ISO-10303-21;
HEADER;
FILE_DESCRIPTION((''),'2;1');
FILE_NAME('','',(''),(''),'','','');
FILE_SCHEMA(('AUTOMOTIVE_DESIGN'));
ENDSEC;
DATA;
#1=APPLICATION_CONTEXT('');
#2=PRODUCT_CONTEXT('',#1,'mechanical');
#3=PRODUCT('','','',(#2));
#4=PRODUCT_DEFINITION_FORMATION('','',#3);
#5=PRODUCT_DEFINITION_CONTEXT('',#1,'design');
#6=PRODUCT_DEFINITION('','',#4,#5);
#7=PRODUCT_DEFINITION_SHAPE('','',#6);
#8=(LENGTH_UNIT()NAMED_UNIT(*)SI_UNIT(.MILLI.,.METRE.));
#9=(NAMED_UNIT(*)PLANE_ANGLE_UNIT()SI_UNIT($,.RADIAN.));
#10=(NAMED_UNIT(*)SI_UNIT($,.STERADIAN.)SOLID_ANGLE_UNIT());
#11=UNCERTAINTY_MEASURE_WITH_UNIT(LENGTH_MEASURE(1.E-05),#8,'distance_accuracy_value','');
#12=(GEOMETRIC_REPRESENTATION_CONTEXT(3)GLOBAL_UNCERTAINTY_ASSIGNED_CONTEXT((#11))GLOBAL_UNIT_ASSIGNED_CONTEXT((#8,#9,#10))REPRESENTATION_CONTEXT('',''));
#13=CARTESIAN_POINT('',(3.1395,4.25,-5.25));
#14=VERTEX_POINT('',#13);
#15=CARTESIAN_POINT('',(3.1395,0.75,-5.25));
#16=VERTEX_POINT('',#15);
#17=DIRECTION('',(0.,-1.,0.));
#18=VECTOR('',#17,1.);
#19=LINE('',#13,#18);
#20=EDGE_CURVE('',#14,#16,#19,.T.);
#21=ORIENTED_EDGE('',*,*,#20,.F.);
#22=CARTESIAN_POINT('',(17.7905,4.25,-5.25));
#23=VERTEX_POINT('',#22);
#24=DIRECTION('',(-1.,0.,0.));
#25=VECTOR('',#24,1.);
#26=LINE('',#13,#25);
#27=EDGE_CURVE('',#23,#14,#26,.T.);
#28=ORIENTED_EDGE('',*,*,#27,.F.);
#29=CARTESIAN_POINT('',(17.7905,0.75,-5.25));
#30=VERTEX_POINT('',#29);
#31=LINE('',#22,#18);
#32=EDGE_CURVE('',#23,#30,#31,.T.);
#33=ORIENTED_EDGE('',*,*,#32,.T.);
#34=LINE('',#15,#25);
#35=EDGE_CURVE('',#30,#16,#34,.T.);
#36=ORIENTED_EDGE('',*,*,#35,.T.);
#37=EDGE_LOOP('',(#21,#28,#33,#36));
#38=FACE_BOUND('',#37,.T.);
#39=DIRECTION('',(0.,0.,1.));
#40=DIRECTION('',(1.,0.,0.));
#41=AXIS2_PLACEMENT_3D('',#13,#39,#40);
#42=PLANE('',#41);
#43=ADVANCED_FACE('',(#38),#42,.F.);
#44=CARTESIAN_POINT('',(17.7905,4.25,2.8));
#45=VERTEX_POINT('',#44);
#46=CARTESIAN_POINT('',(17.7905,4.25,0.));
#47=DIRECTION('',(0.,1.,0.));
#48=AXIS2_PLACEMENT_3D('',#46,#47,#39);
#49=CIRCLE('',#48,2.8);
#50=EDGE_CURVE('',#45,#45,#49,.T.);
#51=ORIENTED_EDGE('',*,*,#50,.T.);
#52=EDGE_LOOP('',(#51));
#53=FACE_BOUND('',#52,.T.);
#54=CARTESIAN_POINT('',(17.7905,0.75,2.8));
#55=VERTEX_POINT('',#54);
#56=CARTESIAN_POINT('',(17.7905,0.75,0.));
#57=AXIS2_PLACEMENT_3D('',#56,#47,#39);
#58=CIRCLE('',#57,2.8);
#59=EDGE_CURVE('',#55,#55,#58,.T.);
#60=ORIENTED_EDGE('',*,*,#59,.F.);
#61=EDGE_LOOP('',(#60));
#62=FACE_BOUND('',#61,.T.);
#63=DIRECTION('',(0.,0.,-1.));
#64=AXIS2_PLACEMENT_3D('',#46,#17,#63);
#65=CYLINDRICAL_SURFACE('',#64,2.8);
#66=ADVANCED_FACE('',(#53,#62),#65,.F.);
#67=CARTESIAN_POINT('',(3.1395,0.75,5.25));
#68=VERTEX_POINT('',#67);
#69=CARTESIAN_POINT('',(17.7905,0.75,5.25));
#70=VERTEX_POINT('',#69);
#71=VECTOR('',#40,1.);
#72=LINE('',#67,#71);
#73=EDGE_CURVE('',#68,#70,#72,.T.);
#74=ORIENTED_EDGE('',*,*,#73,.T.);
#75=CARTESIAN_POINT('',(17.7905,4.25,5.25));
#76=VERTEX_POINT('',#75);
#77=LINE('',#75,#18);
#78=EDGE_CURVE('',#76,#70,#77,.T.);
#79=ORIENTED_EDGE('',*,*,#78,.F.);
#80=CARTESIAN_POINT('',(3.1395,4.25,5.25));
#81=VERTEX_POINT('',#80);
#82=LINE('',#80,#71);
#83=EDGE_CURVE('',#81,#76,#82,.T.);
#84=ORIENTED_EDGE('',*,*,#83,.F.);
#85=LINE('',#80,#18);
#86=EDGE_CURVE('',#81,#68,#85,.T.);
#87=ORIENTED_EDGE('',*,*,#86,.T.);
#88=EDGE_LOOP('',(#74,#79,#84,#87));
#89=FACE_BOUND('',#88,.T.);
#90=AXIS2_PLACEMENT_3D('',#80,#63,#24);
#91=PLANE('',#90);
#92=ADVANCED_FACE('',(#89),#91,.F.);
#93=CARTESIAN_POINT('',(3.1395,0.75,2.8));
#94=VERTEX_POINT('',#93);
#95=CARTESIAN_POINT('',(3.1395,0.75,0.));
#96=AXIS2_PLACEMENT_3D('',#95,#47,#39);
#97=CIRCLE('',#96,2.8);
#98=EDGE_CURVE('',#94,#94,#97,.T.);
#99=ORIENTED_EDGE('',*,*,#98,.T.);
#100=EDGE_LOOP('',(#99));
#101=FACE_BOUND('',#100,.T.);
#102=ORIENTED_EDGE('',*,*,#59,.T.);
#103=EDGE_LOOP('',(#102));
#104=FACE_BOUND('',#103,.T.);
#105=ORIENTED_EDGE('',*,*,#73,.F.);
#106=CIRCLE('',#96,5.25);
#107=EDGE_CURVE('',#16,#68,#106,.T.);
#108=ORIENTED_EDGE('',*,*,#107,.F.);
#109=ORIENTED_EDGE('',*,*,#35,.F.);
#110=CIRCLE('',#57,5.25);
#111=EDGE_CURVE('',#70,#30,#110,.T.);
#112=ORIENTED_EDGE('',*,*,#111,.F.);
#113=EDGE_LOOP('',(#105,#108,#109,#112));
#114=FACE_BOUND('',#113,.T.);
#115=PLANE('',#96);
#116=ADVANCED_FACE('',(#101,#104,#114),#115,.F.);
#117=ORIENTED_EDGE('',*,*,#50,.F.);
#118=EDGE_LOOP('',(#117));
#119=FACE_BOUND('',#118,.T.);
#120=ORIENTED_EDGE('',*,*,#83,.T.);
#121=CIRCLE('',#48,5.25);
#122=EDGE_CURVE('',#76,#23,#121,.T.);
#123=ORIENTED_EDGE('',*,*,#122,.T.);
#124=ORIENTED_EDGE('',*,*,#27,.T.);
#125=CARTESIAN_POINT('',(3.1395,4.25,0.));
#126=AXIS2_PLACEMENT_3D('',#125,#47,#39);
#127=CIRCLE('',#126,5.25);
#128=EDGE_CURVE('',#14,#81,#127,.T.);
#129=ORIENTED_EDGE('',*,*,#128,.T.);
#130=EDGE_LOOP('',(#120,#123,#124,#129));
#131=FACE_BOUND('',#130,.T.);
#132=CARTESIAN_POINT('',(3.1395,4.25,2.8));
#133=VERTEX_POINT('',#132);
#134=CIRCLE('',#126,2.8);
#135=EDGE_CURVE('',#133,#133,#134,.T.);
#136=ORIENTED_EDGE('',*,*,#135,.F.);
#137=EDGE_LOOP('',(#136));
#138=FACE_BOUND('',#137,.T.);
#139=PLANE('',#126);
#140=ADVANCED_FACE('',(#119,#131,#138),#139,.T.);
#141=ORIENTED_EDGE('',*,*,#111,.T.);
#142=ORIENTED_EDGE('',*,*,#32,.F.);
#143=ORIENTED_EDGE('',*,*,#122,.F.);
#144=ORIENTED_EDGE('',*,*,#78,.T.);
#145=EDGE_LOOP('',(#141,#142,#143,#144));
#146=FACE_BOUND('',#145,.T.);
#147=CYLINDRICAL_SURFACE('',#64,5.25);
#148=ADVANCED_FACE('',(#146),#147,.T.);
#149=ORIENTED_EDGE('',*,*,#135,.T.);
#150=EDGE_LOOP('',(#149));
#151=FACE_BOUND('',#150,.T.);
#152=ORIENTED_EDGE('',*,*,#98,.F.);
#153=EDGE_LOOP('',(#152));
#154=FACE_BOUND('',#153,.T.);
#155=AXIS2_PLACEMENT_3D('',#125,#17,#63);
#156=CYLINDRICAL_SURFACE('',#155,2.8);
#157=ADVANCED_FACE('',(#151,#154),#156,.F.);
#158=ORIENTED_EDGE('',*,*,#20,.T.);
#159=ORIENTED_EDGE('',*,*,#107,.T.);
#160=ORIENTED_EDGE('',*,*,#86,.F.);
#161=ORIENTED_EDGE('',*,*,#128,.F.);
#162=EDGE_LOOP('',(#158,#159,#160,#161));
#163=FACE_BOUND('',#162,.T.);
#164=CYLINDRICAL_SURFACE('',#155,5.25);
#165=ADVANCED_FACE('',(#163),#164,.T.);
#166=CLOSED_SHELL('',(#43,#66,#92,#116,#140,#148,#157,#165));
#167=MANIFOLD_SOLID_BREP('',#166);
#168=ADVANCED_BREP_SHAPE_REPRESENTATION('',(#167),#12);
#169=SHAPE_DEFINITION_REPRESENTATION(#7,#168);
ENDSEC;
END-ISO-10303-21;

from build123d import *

# Parameters (mm, degrees)
SKETCH1_R           = 4
BOSS_EXTRUDE1_DEPTH = 5
SCALE1_SCALE        = 0.7


with BuildPart() as part:
    # Sketch1 → Boss-Extrude1 (new body)
    with BuildSketch(Plane(origin=(0, 0, 0), x_dir=(1, 0, 0), z_dir=(0, 1, 0))):
        with BuildLine():
            Line((0, 7.5), (20.93, 7.5))
            ThreePointArc((20.93, 7.5), (28.43, 0), (20.93, -7.5))
            Line((20.93, -7.5), (0, -7.5))
            ThreePointArc((0, -7.5), (-7.5, 0), (0, 7.5))
        make_face()
        with Locations(Location((20.93, 0, 0), (0, 0, 270))):
            Circle(SKETCH1_R, mode=Mode.SUBTRACT)
        with Locations(Location((0, 0, 0), (0, 0, 270))):
            Circle(SKETCH1_R, mode=Mode.SUBTRACT)
    extrude(amount=BOSS_EXTRUDE1_DEPTH)


with BuildPart() as part_1:
    # Scale1: scaled about (10.465, 2.5, 0)
    add(part.part.scale(SCALE1_SCALE).moved(Location((3.1395, 0.75, 0))))


solid = part_1.part
